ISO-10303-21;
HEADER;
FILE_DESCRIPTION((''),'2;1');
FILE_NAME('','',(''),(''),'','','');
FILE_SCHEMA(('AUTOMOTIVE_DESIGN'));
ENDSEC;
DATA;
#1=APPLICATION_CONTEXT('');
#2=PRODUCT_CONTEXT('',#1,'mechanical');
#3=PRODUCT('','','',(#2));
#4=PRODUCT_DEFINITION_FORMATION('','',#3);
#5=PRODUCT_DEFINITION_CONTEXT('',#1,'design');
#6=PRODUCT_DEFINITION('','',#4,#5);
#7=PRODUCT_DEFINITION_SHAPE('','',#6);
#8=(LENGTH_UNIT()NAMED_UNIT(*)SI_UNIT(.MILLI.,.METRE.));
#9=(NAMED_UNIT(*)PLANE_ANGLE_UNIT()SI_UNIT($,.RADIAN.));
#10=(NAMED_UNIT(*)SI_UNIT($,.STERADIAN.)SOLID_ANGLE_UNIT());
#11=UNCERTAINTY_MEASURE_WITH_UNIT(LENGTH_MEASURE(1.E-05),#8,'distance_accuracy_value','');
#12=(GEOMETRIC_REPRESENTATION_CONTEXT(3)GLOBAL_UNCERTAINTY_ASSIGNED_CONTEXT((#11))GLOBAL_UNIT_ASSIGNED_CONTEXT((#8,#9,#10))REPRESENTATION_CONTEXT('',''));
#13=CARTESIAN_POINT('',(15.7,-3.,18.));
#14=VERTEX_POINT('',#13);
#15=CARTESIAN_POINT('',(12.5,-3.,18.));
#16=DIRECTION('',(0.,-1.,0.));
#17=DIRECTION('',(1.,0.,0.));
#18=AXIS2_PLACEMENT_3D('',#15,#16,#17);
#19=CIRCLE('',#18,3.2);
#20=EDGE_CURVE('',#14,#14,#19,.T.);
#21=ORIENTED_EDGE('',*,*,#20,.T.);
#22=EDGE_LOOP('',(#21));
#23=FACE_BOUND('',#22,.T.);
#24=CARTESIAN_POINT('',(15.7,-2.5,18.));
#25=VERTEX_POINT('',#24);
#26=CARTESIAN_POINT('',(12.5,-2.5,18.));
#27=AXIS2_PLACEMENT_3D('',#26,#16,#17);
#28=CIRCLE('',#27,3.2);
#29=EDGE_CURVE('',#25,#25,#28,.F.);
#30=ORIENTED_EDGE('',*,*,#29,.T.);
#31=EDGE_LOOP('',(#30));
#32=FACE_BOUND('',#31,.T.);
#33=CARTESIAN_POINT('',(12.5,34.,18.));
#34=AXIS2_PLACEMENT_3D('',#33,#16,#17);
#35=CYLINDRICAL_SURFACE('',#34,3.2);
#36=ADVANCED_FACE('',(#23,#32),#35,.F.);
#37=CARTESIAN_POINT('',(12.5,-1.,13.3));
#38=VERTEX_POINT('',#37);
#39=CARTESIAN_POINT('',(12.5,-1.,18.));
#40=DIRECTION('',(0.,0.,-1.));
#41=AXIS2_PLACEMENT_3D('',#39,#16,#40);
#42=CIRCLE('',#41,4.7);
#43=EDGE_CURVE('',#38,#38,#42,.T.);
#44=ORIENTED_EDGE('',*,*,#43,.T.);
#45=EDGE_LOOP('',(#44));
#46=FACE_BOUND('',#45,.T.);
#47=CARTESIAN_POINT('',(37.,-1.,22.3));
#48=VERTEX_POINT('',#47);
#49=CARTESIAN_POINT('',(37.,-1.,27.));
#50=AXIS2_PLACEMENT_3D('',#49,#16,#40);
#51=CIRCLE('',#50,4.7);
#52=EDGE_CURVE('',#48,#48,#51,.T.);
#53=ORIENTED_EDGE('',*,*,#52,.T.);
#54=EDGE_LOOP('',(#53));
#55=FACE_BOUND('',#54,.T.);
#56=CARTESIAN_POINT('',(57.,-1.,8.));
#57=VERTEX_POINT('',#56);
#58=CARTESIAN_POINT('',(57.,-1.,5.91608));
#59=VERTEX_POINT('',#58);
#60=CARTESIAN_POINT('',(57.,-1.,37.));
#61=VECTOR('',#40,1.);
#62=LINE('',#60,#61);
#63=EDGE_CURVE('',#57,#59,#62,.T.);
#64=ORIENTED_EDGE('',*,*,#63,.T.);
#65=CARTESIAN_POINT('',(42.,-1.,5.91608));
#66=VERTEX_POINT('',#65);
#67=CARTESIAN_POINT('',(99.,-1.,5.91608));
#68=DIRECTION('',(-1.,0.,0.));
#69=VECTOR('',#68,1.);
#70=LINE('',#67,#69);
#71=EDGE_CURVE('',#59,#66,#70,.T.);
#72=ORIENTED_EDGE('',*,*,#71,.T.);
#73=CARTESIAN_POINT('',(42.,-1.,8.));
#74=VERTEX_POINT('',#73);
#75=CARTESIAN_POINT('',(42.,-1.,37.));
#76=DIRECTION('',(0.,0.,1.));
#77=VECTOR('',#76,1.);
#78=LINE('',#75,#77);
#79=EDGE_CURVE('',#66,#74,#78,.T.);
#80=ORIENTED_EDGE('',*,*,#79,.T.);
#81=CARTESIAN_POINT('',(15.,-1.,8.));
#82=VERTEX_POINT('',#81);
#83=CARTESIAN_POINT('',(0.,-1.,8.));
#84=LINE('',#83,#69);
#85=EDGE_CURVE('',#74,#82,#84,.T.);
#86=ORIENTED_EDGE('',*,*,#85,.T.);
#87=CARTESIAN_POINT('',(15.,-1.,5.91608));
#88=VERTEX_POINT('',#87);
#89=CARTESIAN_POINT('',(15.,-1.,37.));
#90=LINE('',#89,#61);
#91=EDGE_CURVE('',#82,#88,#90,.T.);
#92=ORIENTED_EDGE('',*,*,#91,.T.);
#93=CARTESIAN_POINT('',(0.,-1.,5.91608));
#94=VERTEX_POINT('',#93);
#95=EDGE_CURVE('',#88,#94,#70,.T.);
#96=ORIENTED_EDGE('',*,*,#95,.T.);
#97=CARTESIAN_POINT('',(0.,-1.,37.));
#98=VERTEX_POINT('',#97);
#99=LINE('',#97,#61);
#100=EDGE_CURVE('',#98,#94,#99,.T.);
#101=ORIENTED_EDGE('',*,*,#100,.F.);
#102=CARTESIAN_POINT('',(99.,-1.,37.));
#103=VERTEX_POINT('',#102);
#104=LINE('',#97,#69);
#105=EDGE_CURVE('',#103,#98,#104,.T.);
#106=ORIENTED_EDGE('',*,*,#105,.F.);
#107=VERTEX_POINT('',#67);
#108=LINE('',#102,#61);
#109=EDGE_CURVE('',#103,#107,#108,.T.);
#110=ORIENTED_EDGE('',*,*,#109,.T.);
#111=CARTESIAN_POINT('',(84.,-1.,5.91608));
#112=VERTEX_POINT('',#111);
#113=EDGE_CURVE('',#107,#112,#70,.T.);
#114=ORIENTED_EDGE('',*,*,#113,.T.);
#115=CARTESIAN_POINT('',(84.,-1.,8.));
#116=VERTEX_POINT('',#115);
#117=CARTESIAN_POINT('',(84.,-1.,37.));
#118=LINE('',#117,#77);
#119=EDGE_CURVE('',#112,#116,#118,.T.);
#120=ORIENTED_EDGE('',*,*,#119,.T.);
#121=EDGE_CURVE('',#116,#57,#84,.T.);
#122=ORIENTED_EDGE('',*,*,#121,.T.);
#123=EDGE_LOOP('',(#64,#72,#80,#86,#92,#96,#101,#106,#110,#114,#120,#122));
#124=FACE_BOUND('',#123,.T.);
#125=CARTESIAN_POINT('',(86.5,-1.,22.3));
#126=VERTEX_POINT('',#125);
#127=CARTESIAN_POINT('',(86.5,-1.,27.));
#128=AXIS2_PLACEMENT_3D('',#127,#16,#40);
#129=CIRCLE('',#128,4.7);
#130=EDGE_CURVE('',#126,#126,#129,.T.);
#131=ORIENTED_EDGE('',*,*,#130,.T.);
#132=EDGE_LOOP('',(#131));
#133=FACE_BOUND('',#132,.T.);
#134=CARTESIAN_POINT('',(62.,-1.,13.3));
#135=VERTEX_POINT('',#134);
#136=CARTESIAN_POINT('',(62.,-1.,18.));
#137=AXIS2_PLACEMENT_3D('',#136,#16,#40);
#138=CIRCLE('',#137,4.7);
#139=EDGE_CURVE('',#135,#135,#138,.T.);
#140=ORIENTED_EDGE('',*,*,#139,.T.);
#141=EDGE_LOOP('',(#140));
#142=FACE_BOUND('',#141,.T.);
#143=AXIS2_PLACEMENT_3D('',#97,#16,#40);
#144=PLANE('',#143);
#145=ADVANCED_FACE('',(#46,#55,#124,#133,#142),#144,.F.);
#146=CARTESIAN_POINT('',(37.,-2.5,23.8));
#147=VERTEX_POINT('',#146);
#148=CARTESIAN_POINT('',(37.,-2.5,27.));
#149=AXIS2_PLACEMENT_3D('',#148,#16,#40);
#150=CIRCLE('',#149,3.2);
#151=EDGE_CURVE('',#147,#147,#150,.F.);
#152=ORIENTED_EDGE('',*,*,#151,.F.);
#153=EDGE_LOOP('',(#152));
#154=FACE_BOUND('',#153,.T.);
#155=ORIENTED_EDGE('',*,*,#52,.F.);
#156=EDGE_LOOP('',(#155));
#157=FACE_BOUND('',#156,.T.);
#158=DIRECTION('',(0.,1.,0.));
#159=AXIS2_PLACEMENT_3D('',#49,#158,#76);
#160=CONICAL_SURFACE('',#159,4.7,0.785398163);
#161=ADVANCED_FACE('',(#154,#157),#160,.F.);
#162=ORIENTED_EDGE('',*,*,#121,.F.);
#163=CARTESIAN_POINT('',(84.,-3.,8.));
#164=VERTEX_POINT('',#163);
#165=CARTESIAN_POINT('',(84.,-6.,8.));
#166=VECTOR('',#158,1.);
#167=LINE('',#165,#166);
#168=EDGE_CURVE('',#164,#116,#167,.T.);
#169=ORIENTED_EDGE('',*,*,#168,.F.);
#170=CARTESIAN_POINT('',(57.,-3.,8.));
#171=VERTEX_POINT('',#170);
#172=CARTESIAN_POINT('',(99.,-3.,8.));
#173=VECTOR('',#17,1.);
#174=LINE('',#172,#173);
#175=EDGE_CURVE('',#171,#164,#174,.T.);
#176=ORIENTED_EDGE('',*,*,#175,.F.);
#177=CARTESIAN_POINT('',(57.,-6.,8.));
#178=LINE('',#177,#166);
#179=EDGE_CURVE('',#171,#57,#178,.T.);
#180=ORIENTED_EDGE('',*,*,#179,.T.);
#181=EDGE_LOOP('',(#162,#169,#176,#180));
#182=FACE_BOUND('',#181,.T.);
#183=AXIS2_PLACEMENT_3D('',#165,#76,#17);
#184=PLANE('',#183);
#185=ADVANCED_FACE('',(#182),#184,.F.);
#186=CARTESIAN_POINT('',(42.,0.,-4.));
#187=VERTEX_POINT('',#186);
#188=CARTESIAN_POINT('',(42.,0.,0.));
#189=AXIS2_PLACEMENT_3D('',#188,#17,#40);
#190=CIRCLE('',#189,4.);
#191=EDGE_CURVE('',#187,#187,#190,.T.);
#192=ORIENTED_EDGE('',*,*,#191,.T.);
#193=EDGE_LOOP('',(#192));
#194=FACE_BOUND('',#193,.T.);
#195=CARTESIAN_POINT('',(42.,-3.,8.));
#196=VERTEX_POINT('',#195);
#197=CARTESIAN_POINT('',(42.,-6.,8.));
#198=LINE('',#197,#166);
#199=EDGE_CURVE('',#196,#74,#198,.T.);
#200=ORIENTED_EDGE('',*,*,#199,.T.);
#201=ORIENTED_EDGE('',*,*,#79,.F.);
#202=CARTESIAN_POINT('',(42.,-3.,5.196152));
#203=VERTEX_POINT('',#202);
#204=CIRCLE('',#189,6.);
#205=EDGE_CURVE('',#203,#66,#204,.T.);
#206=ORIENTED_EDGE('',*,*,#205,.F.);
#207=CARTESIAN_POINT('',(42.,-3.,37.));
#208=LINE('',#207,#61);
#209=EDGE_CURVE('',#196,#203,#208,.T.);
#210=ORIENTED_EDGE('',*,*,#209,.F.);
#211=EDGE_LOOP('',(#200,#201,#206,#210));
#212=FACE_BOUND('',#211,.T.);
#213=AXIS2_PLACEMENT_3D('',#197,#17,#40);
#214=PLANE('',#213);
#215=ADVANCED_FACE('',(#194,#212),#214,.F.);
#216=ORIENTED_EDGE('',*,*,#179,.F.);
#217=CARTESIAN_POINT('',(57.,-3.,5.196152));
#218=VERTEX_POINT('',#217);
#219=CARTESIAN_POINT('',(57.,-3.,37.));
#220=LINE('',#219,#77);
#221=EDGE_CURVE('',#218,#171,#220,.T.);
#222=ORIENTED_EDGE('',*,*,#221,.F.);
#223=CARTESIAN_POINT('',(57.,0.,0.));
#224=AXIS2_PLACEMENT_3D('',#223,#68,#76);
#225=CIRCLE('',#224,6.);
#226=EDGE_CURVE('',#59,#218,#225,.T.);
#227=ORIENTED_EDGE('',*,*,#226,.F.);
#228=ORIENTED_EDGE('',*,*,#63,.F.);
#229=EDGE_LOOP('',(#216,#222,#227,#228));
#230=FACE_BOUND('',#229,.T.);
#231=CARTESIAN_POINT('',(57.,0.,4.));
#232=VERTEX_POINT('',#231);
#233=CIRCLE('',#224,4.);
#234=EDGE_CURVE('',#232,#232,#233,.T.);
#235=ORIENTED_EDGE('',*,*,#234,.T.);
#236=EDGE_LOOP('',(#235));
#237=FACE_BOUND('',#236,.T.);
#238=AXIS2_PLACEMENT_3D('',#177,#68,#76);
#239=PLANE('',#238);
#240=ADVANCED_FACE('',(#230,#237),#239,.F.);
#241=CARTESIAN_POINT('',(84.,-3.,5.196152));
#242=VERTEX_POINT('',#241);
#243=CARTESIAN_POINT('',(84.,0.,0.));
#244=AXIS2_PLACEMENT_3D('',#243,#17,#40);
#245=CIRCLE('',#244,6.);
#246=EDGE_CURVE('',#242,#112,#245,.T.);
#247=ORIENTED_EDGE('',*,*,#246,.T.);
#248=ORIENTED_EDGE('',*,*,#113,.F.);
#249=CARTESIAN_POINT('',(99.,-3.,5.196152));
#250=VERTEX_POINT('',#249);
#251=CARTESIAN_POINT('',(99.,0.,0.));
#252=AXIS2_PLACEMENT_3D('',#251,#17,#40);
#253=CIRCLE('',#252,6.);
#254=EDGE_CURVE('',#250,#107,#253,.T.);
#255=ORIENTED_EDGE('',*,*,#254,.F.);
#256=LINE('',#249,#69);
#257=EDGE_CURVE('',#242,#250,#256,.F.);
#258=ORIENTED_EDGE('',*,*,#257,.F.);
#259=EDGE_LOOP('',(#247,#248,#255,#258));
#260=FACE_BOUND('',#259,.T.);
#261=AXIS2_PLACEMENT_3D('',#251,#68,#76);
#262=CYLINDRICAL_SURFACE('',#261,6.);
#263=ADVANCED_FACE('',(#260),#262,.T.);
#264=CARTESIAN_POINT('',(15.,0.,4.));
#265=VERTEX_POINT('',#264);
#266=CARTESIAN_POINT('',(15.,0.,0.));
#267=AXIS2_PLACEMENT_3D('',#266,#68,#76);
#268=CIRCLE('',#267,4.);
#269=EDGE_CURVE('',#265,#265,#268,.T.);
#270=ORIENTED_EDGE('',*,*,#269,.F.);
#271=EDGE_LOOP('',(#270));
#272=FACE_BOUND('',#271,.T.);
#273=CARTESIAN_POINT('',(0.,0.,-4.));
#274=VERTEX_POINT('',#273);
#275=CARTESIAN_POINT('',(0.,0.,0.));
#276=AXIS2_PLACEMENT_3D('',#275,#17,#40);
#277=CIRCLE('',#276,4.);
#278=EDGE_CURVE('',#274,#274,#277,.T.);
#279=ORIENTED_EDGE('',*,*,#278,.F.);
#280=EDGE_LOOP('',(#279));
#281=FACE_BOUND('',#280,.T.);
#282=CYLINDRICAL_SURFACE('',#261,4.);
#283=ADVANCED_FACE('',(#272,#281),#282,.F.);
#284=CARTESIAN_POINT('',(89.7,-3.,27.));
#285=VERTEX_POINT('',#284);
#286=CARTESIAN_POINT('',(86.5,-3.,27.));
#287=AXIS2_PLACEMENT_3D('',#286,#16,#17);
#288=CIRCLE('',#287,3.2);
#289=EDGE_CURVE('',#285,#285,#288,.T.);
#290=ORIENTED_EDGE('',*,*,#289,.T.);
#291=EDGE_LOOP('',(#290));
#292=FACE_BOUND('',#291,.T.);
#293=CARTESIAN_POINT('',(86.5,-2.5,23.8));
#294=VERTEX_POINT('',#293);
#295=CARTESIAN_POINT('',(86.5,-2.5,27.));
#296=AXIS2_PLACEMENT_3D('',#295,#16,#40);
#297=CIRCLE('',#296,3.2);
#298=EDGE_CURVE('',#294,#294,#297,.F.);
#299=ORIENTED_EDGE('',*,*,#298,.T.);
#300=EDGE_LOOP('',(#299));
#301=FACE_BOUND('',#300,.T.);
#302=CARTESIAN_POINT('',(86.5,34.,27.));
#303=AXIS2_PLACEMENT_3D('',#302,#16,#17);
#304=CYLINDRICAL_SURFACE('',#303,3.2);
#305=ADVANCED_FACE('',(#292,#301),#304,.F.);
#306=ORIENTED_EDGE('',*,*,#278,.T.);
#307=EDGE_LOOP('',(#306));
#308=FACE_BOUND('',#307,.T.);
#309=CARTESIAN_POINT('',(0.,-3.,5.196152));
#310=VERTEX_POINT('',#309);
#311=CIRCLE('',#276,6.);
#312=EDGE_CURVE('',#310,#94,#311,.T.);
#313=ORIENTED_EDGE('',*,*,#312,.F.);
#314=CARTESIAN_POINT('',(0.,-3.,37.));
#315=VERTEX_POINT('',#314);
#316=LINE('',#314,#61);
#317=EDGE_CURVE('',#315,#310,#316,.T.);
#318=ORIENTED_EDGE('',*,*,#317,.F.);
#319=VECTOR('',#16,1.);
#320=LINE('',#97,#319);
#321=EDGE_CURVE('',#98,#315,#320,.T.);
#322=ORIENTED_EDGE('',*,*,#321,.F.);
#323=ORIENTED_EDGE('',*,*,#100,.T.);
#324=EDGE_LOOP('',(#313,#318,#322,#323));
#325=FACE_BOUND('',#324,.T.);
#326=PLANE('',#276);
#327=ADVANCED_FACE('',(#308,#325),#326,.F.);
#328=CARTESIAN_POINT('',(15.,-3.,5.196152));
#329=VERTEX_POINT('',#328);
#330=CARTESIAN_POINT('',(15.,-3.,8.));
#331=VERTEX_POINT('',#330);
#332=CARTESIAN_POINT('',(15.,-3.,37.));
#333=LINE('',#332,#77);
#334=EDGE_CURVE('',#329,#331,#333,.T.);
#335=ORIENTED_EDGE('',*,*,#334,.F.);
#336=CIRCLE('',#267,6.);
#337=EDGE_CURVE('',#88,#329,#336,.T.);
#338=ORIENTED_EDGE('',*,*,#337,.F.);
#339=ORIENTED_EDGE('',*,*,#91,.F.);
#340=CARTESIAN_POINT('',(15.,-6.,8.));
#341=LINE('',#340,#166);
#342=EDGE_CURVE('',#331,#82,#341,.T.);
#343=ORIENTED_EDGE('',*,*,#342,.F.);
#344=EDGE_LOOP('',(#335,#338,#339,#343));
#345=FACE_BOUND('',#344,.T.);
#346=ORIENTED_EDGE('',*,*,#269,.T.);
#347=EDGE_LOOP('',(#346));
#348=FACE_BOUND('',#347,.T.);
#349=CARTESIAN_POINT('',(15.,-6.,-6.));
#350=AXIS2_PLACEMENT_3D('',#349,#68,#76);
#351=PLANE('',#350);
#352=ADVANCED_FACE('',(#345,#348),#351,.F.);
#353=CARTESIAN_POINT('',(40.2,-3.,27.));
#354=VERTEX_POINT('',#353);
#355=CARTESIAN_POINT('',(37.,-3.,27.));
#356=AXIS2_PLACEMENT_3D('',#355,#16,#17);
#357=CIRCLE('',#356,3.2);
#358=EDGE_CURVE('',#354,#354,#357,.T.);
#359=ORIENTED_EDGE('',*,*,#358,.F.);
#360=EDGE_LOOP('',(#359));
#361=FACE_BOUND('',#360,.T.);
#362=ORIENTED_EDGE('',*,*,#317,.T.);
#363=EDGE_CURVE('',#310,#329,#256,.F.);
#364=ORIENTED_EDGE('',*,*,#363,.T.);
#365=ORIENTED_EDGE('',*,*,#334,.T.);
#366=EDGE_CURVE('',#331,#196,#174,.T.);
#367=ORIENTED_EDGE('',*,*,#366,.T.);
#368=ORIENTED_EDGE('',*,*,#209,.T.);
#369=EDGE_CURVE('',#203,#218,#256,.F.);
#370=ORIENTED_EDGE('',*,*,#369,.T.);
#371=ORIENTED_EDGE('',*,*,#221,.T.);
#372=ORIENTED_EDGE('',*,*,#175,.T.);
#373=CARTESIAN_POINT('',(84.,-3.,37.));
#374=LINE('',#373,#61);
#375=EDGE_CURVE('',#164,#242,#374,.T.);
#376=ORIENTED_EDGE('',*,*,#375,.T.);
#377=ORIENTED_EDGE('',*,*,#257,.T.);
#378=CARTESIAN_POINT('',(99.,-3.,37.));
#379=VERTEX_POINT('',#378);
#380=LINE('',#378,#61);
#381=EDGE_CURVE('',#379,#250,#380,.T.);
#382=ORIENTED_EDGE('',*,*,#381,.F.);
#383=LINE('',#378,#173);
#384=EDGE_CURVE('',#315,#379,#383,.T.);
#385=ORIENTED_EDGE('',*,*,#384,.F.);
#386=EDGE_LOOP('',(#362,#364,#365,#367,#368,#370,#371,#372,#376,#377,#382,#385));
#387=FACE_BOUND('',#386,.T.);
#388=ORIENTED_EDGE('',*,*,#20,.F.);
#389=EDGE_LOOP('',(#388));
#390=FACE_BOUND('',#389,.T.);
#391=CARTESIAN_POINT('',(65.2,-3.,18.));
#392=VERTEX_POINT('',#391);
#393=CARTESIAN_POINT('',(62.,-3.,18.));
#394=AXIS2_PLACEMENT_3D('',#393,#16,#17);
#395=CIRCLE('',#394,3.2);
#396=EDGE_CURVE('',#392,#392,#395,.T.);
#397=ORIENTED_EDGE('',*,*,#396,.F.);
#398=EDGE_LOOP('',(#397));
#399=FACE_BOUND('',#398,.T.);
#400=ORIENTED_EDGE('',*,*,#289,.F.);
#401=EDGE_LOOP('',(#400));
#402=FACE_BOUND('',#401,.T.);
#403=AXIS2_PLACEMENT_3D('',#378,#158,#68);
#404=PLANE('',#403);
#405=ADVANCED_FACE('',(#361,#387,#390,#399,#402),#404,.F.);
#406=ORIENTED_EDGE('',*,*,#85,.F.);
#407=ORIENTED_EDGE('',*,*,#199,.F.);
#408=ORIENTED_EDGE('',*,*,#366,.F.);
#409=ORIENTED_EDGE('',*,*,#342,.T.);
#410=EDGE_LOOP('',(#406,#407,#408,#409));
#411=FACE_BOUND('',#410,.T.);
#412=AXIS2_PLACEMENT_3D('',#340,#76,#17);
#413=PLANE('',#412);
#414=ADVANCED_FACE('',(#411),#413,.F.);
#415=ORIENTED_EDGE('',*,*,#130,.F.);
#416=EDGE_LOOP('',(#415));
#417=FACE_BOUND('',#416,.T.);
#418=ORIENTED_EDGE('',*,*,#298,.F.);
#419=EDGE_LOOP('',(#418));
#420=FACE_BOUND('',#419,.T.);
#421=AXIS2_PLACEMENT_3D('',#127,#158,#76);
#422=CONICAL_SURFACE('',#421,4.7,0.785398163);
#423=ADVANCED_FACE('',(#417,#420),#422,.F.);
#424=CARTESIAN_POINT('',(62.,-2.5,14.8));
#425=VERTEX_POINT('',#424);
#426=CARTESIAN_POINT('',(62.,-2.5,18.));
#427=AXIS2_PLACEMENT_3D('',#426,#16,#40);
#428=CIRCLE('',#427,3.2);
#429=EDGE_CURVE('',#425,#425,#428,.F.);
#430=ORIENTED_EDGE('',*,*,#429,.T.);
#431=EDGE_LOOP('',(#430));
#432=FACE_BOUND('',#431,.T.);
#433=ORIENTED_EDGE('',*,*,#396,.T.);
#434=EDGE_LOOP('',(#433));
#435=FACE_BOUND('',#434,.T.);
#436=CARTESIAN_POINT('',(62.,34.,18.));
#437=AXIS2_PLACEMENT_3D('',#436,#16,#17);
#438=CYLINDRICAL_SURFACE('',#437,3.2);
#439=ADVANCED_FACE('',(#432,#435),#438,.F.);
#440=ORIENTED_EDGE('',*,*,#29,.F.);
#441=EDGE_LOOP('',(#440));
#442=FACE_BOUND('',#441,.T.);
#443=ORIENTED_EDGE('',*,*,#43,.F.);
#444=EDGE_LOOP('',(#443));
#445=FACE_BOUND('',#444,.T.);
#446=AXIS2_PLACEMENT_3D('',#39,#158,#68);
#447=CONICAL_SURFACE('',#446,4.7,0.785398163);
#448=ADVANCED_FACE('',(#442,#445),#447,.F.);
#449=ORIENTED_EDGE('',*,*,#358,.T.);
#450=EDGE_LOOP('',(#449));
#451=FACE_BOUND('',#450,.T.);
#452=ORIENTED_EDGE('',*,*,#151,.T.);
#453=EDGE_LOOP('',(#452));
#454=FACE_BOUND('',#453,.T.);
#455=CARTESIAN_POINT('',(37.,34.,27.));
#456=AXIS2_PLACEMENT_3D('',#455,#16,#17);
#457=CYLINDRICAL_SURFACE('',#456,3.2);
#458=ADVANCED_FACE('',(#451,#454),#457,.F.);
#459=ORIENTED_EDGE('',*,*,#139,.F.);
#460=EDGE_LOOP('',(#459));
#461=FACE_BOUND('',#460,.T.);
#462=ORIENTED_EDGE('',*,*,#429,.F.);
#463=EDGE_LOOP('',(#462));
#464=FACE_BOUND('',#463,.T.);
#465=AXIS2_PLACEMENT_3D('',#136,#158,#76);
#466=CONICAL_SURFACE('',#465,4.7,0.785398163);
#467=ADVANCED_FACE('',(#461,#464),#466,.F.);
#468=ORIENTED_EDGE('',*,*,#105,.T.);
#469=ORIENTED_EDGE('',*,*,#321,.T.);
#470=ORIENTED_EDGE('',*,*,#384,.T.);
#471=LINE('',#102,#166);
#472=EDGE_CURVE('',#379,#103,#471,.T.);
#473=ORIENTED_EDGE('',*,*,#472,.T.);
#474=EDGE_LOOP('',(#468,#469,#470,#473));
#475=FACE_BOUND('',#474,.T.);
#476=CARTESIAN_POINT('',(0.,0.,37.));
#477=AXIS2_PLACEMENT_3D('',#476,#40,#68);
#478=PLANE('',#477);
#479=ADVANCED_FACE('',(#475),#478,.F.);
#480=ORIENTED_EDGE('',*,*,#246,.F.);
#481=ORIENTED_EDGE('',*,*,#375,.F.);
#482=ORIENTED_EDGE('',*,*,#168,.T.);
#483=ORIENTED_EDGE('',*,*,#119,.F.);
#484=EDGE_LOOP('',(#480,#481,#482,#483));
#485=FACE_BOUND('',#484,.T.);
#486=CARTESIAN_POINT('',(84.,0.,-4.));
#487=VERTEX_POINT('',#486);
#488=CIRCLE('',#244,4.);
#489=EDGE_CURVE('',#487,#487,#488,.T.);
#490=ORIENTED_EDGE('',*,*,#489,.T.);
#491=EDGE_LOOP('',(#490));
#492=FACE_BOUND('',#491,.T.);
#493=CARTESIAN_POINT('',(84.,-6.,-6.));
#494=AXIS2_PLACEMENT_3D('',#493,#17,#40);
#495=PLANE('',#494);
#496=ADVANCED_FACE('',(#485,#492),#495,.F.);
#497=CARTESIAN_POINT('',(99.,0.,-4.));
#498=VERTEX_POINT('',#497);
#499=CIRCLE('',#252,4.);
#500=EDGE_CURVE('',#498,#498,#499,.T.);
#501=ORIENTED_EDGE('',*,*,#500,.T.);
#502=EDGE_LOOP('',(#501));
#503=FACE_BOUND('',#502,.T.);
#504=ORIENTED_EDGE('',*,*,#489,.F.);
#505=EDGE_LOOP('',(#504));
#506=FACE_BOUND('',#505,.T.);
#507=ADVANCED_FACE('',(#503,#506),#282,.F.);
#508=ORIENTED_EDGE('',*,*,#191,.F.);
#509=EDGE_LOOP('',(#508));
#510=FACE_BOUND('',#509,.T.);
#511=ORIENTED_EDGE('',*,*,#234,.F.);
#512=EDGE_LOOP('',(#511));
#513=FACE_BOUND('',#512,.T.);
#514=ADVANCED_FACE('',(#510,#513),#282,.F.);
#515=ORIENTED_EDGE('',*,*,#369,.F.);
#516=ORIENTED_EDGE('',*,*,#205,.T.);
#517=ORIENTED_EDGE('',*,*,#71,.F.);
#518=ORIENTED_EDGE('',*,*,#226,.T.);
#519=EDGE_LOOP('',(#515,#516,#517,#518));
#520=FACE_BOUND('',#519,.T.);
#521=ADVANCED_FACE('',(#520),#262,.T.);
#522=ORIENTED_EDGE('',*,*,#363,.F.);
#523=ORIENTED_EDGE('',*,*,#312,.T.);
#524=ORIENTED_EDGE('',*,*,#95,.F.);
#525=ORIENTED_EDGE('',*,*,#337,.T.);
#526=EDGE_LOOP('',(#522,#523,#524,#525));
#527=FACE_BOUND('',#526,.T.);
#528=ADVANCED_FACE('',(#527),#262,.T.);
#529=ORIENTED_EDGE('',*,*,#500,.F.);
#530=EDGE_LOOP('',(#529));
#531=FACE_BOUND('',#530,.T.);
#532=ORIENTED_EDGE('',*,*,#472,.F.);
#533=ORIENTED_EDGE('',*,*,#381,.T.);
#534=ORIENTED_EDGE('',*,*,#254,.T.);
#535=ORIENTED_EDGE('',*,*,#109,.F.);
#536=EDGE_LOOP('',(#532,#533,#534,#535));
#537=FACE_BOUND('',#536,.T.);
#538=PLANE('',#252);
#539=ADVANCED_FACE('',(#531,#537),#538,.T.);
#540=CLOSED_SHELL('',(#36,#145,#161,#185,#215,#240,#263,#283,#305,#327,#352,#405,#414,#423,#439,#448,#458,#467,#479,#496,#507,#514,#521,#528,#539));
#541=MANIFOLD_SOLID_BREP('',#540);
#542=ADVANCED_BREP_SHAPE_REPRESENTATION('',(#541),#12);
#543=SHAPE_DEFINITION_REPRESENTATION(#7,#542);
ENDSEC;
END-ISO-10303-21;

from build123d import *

# Parameters (mm, degrees)
SKETCH_1_R               = 6
SKETCH_1_R_2             = 4
EXTRUDE_1_DEPTH          = 99
SKETCH_2_W               = 99
SKETCH_2_H               = 2
EXTRUDE_2_DEPTH          = 37
SKETCH_3_R               = 4
CUT_EXTRUDE_1_DEPTH      = 106.858395983
CUT_EXTRUDE_2_DEPTH      = 106.919780967
CUT_EXTRUDE_2_DEPTH_BACK = 106.919780967
SKETCH_4_W               = 27
SKETCH_4_H               = 14
SKETCH_7_R               = 3.2
CUT_EXTRUDE_8_DEPTH      = 37
CHAMFER_1_SIZE           = 1.5


with BuildPart() as part:
    # 草图1 → 凸台-拉伸1 (new body)
    with BuildSketch(Plane(origin=(0, 0, 0), x_dir=(0, 0, -1), z_dir=(1, 0, 0))):
        Circle(SKETCH_1_R)
        Circle(SKETCH_1_R_2, mode=Mode.SUBTRACT)
    extrude(amount=EXTRUDE_1_DEPTH)

    # 草图2 → 凸台-拉伸2 (add)
    with BuildSketch(Plane.XY):
        with Locations((49.5, -2)):
            Rectangle(SKETCH_2_W, SKETCH_2_H)
    extrude(amount=EXTRUDE_2_DEPTH)

    # 草图3 → 切除-拉伸1 (cut, through all)
    with BuildSketch(Plane.ZY):
        with Locations(Location((0, 0, 0), (0, 0, 180))):
            Circle(SKETCH_3_R)
    extrude(amount=-CUT_EXTRUDE_1_DEPTH, mode=Mode.SUBTRACT)

    # 草图4 → 切除-拉伸2 (cut, two sides: drawn at the far end of the back side and taken through both)
    with BuildSketch(Plane(origin=(0, -1, 0), x_dir=(1, 0, 0), z_dir=(0, 1, 0)).offset(-CUT_EXTRUDE_2_DEPTH_BACK)):
        with Locations((28.5, -1)):
            Rectangle(SKETCH_4_W, SKETCH_4_H)
        with Locations((70.5, -1)):
            Rectangle(SKETCH_4_W, SKETCH_4_H)
    extrude(amount=CUT_EXTRUDE_2_DEPTH + CUT_EXTRUDE_2_DEPTH_BACK, mode=Mode.SUBTRACT)

    # 草图7 → 切除-拉伸8 (cut)
    with BuildSketch(Plane.XZ.offset(3)):
        with Locations((12.5, 18)):
            Circle(SKETCH_7_R)
        with Locations((37, 27)):
            Circle(SKETCH_7_R)
        with Locations((62, 18)):
            Circle(SKETCH_7_R)
        with Locations((86.5, 27)):
            Circle(SKETCH_7_R)
    extrude(amount=-CUT_EXTRUDE_8_DEPTH, mode=Mode.SUBTRACT)

    # 倒角1
    chamfer_1_edges = [part.edges().sort_by_distance(p)[0] for p in [
        (9.3, -1, 18),
        (33.8, -1, 27),
        (58.8, -1, 18),
        (83.3, -1, 27),
    ]]
    chamfer(chamfer_1_edges, length=CHAMFER_1_SIZE)


solid = part.part
